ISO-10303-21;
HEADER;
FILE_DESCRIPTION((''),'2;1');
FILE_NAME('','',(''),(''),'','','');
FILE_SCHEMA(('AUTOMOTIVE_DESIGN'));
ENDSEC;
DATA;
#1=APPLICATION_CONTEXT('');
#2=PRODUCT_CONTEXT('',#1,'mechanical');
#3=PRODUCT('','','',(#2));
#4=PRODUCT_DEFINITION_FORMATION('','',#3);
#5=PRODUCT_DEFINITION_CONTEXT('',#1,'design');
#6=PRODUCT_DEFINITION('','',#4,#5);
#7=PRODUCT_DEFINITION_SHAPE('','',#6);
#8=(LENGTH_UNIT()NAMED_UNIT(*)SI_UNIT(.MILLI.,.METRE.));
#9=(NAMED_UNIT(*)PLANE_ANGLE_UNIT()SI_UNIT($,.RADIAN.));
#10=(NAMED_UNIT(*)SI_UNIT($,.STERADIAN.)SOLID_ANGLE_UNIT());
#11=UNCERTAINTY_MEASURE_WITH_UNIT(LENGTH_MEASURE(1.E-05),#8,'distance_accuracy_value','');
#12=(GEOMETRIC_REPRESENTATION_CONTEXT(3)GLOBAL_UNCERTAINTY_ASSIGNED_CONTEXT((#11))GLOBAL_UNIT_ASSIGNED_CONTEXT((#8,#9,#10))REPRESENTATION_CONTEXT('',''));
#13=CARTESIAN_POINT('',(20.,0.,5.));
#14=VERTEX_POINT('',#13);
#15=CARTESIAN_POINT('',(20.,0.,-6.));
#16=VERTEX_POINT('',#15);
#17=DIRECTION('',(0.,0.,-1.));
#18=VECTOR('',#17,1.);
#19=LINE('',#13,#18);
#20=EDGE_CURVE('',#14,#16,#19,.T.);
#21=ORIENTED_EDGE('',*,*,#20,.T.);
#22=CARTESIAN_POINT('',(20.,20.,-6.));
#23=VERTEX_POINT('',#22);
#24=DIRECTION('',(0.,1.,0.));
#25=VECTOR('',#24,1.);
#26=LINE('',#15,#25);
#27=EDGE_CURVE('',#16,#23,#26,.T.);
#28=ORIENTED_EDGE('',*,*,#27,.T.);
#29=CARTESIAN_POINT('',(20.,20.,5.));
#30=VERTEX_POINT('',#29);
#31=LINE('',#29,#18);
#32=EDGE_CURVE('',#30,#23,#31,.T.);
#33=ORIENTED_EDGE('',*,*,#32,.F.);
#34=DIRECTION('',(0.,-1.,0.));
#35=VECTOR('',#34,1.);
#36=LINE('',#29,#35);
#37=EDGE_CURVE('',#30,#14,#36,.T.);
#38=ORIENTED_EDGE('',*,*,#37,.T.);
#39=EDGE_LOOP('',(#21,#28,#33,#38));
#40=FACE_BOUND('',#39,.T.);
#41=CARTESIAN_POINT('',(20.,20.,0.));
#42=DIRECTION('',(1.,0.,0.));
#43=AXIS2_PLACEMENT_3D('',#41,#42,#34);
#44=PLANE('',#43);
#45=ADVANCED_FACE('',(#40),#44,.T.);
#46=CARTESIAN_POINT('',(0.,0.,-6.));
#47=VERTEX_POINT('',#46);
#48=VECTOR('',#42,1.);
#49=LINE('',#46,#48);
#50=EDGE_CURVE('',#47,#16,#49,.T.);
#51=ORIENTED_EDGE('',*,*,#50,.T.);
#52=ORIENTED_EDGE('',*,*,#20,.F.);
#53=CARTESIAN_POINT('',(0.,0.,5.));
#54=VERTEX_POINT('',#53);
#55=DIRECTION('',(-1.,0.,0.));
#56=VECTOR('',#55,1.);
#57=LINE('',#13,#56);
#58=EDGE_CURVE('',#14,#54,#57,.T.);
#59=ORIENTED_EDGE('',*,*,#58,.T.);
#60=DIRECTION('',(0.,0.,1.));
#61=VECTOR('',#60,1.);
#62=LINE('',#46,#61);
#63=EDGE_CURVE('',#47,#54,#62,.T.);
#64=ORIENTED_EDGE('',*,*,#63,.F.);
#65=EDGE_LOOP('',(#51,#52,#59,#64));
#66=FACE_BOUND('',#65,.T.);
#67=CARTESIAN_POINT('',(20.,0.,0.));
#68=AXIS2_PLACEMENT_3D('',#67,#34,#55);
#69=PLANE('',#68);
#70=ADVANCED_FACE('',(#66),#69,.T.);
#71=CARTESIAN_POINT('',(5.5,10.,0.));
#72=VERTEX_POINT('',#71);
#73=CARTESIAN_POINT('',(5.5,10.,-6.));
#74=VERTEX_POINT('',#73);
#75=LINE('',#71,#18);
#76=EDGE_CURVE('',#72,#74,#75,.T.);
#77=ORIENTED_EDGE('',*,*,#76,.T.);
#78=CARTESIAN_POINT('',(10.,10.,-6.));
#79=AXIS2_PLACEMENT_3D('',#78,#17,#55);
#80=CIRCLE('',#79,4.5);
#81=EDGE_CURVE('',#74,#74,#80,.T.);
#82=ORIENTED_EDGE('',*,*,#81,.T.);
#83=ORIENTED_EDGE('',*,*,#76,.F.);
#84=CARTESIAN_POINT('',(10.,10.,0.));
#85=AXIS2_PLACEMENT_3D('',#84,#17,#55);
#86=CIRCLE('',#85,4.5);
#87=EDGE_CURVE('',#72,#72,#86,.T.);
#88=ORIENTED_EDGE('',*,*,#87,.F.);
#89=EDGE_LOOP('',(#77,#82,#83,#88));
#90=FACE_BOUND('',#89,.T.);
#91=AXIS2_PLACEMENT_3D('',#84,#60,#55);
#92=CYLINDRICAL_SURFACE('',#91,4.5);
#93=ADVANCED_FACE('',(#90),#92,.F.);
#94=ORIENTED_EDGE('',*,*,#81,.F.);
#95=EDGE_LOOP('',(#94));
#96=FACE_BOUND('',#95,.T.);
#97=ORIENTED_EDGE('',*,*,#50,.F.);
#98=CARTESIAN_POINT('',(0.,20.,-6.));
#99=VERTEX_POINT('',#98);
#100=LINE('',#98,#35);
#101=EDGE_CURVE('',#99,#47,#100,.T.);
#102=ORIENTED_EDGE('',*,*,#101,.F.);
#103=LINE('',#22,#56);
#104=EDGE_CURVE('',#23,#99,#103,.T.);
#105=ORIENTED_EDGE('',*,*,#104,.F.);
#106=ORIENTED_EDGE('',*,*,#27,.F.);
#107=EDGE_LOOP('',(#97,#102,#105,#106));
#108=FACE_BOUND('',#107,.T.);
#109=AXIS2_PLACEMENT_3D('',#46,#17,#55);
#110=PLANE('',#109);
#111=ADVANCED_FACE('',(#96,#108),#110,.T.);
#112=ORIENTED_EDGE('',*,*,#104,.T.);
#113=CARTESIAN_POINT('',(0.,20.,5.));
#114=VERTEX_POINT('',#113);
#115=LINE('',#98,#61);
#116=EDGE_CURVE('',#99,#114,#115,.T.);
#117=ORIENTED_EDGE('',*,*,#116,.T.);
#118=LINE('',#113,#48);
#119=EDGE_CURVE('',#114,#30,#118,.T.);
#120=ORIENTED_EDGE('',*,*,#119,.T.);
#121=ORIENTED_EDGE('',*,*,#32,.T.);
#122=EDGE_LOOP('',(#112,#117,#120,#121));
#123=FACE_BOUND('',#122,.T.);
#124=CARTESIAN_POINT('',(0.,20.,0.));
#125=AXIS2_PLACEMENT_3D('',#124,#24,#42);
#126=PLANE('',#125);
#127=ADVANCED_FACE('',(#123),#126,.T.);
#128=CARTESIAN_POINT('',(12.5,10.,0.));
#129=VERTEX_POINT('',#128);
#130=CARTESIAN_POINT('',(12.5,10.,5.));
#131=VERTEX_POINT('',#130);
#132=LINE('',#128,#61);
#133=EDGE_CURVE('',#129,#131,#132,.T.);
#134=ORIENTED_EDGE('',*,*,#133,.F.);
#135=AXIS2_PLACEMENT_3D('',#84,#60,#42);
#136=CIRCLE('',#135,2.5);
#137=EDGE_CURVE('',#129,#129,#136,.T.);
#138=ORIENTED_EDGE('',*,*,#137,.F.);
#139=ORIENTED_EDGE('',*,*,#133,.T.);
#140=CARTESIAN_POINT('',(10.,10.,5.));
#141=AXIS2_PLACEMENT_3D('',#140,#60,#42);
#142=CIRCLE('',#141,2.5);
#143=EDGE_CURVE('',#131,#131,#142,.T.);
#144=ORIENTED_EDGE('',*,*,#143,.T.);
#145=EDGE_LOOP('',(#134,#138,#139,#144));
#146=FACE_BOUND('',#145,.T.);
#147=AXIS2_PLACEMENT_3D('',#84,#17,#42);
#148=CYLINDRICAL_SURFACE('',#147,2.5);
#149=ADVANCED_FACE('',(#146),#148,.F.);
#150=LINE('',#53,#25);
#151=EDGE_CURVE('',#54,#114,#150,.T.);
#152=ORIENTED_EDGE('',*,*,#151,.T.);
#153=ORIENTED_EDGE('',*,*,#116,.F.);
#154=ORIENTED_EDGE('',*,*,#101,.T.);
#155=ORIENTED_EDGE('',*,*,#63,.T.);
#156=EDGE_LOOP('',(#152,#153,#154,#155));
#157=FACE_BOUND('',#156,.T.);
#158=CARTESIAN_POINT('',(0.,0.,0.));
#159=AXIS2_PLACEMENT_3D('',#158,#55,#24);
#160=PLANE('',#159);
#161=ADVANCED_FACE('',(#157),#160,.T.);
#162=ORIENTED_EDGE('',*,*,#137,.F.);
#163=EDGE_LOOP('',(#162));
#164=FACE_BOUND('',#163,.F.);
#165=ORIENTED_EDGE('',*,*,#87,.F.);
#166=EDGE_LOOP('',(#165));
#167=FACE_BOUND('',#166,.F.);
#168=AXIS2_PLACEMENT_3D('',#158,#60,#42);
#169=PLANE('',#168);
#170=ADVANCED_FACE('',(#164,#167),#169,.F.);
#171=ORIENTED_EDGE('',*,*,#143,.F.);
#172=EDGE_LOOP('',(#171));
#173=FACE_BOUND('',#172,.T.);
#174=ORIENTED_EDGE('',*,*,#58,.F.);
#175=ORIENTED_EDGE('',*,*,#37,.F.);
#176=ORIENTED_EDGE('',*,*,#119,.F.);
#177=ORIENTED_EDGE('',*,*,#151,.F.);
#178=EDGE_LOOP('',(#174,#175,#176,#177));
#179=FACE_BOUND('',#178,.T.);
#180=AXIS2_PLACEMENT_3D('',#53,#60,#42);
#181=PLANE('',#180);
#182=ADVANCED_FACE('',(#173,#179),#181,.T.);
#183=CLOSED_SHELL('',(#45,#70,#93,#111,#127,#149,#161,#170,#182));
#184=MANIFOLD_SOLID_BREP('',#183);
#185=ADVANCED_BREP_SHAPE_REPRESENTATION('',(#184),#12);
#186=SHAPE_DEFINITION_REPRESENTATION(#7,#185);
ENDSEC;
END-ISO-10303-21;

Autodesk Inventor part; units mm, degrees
ref_plane "YZ Plane" through (0, 0, 0) normal (1, 0, 0) x (0, 1, 0)
ref_plane "XZ Plane" through (0, 0, 0) normal (0, 1, 0) x (-1, 0, 0)
ref_plane "XY Plane" through (0, 0, 0) normal (0, 0, 1) x (1, 0, 0)
sketch "Sketch1" plane through (0, 0, 0) normal (0, 0, 1) x (1, 0, 0)
  line L0 (0, 20) -> (20, 20)
  line L1 (20, 20) -> (20, 0)
  line L2 (20, 0) -> (0, 0)
  line L3 (0, 0) -> (0, 20)
  circle A0 centre (10, 10) radius 2.5
  dimension "d0" = 20
  dimension "d1" = 20
  dimension "d5" = 10
  dimension "d6" = 10
  dimension "d7" = 5
extrude "Extrusion2" add sketch "Sketch1" along normal blind 5
sketch "Sketch3" plane through (0, 0, 0) normal (0, 0, -1) x (-1, 0, 0)
  line L0 (-20, 20) -> (0, 20) projected
  line L1 (0, 20) -> (0, 0) projected
  line L2 (-20, 20) -> (0, 20)
  line L3 (0, 20) -> (0, 0)
  line L4 (0, 0) -> (-20, 0)
  line L5 (-20, 0) -> (-20, 20)
  circle A0 centre (-10, 10) radius 4.5
  dimension "d10" = 9
extrude "Extrusion3" add sketch "Sketch3" along normal blind 6
equation "\"d1\" = d0"
equation "\"d5\" = 0.5 * d0"
equation "\"d6\" = d5"
properties part number "Touchscreen mount v04 screw test"
